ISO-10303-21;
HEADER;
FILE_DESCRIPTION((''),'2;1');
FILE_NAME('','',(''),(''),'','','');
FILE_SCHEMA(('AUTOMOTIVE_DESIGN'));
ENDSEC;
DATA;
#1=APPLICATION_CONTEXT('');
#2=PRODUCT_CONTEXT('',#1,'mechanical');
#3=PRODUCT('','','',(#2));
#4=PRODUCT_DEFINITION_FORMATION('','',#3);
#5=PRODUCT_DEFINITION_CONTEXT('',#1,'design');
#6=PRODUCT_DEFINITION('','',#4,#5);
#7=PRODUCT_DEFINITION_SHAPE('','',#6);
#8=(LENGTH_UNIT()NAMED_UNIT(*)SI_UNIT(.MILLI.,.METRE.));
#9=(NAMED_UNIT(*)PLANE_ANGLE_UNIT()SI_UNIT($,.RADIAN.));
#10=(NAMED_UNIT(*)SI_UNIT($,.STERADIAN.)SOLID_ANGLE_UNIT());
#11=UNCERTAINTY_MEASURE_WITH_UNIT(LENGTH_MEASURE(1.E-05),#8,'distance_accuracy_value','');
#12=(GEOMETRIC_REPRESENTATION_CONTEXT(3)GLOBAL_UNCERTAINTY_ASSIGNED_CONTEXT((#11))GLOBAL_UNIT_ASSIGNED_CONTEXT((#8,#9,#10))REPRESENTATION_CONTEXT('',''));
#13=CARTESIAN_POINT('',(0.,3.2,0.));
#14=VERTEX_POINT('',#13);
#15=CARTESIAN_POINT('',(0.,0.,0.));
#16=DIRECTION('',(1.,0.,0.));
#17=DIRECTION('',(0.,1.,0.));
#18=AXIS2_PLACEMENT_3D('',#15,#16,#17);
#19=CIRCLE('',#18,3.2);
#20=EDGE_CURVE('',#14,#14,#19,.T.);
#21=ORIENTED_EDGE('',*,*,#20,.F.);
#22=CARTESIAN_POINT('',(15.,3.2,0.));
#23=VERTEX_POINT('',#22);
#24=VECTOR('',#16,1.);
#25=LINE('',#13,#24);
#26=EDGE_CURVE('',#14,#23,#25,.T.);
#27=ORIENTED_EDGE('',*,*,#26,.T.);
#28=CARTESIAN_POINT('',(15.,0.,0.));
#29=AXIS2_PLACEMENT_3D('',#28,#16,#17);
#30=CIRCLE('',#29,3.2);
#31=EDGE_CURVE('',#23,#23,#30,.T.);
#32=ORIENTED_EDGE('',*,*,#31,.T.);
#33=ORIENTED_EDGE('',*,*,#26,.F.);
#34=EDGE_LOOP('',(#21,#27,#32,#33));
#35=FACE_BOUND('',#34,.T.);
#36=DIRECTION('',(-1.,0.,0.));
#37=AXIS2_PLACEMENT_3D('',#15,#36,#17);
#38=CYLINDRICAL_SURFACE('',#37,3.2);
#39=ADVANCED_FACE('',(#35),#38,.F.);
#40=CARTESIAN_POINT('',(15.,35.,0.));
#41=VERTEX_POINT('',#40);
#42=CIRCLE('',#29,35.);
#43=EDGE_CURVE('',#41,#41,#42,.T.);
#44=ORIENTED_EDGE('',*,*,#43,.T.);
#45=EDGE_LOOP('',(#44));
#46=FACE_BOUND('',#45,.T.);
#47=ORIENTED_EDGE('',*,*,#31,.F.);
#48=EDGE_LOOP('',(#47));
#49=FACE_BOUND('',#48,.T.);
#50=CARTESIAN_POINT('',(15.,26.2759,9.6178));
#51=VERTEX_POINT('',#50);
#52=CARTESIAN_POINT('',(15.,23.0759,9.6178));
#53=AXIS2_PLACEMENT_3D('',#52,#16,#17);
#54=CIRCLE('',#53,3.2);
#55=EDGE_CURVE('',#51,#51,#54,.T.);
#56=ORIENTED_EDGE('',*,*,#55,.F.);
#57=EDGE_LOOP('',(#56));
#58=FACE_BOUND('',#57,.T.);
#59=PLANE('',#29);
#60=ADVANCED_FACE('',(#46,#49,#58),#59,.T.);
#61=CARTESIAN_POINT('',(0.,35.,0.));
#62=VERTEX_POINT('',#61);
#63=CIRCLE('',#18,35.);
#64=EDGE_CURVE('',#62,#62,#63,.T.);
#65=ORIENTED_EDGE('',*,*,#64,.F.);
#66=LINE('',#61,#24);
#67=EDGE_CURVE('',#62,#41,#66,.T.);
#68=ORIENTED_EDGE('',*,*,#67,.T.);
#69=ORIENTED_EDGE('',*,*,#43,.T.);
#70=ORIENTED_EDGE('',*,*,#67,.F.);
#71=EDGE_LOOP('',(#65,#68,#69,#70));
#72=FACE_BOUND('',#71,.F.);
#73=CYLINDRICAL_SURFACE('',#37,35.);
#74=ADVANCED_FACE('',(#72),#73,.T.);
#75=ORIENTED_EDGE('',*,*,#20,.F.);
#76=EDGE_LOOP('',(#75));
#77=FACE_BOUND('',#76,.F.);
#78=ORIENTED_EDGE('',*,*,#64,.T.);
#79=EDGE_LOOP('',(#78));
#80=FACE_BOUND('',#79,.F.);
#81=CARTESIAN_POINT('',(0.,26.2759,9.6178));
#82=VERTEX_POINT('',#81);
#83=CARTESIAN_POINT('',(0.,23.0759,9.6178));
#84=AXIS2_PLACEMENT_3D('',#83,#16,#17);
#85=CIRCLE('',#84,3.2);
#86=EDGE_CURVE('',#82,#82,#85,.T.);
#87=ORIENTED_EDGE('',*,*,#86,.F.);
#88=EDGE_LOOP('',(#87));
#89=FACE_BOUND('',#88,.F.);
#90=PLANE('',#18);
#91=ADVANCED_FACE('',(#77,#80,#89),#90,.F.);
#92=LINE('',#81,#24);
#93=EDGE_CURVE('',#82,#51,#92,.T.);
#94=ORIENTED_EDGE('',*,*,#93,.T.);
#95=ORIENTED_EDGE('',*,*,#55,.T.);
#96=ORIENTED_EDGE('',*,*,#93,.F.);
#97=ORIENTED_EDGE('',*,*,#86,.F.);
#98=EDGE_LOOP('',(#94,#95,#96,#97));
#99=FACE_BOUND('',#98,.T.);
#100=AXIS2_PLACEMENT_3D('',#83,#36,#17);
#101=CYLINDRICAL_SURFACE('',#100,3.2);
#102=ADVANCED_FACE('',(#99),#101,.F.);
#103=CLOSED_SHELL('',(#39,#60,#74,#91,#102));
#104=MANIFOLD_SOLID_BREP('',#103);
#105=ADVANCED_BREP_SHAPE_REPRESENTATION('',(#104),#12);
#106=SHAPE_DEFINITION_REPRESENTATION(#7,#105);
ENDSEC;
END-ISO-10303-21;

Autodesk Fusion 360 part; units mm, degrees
sketch "Sketch1" plane through (0, 0, 0) normal (1, 0, 0) x (0, 1, 0)
  circle A0 centre (0, 0) radius 3.2
  circle A1 centre (0, 0) radius 35
  circle A2 centre (0, 0) radius 25 construction
  circle A3 centre (23.0759, 9.6178) radius 3.2
  dimension "d1" = 6.4
  dimension "d2" = 70
  dimension "d3" = 50
  dimension "d4" = 6.4
extrude "Extrude1" add sketch "Sketch1" along normal blind 15
